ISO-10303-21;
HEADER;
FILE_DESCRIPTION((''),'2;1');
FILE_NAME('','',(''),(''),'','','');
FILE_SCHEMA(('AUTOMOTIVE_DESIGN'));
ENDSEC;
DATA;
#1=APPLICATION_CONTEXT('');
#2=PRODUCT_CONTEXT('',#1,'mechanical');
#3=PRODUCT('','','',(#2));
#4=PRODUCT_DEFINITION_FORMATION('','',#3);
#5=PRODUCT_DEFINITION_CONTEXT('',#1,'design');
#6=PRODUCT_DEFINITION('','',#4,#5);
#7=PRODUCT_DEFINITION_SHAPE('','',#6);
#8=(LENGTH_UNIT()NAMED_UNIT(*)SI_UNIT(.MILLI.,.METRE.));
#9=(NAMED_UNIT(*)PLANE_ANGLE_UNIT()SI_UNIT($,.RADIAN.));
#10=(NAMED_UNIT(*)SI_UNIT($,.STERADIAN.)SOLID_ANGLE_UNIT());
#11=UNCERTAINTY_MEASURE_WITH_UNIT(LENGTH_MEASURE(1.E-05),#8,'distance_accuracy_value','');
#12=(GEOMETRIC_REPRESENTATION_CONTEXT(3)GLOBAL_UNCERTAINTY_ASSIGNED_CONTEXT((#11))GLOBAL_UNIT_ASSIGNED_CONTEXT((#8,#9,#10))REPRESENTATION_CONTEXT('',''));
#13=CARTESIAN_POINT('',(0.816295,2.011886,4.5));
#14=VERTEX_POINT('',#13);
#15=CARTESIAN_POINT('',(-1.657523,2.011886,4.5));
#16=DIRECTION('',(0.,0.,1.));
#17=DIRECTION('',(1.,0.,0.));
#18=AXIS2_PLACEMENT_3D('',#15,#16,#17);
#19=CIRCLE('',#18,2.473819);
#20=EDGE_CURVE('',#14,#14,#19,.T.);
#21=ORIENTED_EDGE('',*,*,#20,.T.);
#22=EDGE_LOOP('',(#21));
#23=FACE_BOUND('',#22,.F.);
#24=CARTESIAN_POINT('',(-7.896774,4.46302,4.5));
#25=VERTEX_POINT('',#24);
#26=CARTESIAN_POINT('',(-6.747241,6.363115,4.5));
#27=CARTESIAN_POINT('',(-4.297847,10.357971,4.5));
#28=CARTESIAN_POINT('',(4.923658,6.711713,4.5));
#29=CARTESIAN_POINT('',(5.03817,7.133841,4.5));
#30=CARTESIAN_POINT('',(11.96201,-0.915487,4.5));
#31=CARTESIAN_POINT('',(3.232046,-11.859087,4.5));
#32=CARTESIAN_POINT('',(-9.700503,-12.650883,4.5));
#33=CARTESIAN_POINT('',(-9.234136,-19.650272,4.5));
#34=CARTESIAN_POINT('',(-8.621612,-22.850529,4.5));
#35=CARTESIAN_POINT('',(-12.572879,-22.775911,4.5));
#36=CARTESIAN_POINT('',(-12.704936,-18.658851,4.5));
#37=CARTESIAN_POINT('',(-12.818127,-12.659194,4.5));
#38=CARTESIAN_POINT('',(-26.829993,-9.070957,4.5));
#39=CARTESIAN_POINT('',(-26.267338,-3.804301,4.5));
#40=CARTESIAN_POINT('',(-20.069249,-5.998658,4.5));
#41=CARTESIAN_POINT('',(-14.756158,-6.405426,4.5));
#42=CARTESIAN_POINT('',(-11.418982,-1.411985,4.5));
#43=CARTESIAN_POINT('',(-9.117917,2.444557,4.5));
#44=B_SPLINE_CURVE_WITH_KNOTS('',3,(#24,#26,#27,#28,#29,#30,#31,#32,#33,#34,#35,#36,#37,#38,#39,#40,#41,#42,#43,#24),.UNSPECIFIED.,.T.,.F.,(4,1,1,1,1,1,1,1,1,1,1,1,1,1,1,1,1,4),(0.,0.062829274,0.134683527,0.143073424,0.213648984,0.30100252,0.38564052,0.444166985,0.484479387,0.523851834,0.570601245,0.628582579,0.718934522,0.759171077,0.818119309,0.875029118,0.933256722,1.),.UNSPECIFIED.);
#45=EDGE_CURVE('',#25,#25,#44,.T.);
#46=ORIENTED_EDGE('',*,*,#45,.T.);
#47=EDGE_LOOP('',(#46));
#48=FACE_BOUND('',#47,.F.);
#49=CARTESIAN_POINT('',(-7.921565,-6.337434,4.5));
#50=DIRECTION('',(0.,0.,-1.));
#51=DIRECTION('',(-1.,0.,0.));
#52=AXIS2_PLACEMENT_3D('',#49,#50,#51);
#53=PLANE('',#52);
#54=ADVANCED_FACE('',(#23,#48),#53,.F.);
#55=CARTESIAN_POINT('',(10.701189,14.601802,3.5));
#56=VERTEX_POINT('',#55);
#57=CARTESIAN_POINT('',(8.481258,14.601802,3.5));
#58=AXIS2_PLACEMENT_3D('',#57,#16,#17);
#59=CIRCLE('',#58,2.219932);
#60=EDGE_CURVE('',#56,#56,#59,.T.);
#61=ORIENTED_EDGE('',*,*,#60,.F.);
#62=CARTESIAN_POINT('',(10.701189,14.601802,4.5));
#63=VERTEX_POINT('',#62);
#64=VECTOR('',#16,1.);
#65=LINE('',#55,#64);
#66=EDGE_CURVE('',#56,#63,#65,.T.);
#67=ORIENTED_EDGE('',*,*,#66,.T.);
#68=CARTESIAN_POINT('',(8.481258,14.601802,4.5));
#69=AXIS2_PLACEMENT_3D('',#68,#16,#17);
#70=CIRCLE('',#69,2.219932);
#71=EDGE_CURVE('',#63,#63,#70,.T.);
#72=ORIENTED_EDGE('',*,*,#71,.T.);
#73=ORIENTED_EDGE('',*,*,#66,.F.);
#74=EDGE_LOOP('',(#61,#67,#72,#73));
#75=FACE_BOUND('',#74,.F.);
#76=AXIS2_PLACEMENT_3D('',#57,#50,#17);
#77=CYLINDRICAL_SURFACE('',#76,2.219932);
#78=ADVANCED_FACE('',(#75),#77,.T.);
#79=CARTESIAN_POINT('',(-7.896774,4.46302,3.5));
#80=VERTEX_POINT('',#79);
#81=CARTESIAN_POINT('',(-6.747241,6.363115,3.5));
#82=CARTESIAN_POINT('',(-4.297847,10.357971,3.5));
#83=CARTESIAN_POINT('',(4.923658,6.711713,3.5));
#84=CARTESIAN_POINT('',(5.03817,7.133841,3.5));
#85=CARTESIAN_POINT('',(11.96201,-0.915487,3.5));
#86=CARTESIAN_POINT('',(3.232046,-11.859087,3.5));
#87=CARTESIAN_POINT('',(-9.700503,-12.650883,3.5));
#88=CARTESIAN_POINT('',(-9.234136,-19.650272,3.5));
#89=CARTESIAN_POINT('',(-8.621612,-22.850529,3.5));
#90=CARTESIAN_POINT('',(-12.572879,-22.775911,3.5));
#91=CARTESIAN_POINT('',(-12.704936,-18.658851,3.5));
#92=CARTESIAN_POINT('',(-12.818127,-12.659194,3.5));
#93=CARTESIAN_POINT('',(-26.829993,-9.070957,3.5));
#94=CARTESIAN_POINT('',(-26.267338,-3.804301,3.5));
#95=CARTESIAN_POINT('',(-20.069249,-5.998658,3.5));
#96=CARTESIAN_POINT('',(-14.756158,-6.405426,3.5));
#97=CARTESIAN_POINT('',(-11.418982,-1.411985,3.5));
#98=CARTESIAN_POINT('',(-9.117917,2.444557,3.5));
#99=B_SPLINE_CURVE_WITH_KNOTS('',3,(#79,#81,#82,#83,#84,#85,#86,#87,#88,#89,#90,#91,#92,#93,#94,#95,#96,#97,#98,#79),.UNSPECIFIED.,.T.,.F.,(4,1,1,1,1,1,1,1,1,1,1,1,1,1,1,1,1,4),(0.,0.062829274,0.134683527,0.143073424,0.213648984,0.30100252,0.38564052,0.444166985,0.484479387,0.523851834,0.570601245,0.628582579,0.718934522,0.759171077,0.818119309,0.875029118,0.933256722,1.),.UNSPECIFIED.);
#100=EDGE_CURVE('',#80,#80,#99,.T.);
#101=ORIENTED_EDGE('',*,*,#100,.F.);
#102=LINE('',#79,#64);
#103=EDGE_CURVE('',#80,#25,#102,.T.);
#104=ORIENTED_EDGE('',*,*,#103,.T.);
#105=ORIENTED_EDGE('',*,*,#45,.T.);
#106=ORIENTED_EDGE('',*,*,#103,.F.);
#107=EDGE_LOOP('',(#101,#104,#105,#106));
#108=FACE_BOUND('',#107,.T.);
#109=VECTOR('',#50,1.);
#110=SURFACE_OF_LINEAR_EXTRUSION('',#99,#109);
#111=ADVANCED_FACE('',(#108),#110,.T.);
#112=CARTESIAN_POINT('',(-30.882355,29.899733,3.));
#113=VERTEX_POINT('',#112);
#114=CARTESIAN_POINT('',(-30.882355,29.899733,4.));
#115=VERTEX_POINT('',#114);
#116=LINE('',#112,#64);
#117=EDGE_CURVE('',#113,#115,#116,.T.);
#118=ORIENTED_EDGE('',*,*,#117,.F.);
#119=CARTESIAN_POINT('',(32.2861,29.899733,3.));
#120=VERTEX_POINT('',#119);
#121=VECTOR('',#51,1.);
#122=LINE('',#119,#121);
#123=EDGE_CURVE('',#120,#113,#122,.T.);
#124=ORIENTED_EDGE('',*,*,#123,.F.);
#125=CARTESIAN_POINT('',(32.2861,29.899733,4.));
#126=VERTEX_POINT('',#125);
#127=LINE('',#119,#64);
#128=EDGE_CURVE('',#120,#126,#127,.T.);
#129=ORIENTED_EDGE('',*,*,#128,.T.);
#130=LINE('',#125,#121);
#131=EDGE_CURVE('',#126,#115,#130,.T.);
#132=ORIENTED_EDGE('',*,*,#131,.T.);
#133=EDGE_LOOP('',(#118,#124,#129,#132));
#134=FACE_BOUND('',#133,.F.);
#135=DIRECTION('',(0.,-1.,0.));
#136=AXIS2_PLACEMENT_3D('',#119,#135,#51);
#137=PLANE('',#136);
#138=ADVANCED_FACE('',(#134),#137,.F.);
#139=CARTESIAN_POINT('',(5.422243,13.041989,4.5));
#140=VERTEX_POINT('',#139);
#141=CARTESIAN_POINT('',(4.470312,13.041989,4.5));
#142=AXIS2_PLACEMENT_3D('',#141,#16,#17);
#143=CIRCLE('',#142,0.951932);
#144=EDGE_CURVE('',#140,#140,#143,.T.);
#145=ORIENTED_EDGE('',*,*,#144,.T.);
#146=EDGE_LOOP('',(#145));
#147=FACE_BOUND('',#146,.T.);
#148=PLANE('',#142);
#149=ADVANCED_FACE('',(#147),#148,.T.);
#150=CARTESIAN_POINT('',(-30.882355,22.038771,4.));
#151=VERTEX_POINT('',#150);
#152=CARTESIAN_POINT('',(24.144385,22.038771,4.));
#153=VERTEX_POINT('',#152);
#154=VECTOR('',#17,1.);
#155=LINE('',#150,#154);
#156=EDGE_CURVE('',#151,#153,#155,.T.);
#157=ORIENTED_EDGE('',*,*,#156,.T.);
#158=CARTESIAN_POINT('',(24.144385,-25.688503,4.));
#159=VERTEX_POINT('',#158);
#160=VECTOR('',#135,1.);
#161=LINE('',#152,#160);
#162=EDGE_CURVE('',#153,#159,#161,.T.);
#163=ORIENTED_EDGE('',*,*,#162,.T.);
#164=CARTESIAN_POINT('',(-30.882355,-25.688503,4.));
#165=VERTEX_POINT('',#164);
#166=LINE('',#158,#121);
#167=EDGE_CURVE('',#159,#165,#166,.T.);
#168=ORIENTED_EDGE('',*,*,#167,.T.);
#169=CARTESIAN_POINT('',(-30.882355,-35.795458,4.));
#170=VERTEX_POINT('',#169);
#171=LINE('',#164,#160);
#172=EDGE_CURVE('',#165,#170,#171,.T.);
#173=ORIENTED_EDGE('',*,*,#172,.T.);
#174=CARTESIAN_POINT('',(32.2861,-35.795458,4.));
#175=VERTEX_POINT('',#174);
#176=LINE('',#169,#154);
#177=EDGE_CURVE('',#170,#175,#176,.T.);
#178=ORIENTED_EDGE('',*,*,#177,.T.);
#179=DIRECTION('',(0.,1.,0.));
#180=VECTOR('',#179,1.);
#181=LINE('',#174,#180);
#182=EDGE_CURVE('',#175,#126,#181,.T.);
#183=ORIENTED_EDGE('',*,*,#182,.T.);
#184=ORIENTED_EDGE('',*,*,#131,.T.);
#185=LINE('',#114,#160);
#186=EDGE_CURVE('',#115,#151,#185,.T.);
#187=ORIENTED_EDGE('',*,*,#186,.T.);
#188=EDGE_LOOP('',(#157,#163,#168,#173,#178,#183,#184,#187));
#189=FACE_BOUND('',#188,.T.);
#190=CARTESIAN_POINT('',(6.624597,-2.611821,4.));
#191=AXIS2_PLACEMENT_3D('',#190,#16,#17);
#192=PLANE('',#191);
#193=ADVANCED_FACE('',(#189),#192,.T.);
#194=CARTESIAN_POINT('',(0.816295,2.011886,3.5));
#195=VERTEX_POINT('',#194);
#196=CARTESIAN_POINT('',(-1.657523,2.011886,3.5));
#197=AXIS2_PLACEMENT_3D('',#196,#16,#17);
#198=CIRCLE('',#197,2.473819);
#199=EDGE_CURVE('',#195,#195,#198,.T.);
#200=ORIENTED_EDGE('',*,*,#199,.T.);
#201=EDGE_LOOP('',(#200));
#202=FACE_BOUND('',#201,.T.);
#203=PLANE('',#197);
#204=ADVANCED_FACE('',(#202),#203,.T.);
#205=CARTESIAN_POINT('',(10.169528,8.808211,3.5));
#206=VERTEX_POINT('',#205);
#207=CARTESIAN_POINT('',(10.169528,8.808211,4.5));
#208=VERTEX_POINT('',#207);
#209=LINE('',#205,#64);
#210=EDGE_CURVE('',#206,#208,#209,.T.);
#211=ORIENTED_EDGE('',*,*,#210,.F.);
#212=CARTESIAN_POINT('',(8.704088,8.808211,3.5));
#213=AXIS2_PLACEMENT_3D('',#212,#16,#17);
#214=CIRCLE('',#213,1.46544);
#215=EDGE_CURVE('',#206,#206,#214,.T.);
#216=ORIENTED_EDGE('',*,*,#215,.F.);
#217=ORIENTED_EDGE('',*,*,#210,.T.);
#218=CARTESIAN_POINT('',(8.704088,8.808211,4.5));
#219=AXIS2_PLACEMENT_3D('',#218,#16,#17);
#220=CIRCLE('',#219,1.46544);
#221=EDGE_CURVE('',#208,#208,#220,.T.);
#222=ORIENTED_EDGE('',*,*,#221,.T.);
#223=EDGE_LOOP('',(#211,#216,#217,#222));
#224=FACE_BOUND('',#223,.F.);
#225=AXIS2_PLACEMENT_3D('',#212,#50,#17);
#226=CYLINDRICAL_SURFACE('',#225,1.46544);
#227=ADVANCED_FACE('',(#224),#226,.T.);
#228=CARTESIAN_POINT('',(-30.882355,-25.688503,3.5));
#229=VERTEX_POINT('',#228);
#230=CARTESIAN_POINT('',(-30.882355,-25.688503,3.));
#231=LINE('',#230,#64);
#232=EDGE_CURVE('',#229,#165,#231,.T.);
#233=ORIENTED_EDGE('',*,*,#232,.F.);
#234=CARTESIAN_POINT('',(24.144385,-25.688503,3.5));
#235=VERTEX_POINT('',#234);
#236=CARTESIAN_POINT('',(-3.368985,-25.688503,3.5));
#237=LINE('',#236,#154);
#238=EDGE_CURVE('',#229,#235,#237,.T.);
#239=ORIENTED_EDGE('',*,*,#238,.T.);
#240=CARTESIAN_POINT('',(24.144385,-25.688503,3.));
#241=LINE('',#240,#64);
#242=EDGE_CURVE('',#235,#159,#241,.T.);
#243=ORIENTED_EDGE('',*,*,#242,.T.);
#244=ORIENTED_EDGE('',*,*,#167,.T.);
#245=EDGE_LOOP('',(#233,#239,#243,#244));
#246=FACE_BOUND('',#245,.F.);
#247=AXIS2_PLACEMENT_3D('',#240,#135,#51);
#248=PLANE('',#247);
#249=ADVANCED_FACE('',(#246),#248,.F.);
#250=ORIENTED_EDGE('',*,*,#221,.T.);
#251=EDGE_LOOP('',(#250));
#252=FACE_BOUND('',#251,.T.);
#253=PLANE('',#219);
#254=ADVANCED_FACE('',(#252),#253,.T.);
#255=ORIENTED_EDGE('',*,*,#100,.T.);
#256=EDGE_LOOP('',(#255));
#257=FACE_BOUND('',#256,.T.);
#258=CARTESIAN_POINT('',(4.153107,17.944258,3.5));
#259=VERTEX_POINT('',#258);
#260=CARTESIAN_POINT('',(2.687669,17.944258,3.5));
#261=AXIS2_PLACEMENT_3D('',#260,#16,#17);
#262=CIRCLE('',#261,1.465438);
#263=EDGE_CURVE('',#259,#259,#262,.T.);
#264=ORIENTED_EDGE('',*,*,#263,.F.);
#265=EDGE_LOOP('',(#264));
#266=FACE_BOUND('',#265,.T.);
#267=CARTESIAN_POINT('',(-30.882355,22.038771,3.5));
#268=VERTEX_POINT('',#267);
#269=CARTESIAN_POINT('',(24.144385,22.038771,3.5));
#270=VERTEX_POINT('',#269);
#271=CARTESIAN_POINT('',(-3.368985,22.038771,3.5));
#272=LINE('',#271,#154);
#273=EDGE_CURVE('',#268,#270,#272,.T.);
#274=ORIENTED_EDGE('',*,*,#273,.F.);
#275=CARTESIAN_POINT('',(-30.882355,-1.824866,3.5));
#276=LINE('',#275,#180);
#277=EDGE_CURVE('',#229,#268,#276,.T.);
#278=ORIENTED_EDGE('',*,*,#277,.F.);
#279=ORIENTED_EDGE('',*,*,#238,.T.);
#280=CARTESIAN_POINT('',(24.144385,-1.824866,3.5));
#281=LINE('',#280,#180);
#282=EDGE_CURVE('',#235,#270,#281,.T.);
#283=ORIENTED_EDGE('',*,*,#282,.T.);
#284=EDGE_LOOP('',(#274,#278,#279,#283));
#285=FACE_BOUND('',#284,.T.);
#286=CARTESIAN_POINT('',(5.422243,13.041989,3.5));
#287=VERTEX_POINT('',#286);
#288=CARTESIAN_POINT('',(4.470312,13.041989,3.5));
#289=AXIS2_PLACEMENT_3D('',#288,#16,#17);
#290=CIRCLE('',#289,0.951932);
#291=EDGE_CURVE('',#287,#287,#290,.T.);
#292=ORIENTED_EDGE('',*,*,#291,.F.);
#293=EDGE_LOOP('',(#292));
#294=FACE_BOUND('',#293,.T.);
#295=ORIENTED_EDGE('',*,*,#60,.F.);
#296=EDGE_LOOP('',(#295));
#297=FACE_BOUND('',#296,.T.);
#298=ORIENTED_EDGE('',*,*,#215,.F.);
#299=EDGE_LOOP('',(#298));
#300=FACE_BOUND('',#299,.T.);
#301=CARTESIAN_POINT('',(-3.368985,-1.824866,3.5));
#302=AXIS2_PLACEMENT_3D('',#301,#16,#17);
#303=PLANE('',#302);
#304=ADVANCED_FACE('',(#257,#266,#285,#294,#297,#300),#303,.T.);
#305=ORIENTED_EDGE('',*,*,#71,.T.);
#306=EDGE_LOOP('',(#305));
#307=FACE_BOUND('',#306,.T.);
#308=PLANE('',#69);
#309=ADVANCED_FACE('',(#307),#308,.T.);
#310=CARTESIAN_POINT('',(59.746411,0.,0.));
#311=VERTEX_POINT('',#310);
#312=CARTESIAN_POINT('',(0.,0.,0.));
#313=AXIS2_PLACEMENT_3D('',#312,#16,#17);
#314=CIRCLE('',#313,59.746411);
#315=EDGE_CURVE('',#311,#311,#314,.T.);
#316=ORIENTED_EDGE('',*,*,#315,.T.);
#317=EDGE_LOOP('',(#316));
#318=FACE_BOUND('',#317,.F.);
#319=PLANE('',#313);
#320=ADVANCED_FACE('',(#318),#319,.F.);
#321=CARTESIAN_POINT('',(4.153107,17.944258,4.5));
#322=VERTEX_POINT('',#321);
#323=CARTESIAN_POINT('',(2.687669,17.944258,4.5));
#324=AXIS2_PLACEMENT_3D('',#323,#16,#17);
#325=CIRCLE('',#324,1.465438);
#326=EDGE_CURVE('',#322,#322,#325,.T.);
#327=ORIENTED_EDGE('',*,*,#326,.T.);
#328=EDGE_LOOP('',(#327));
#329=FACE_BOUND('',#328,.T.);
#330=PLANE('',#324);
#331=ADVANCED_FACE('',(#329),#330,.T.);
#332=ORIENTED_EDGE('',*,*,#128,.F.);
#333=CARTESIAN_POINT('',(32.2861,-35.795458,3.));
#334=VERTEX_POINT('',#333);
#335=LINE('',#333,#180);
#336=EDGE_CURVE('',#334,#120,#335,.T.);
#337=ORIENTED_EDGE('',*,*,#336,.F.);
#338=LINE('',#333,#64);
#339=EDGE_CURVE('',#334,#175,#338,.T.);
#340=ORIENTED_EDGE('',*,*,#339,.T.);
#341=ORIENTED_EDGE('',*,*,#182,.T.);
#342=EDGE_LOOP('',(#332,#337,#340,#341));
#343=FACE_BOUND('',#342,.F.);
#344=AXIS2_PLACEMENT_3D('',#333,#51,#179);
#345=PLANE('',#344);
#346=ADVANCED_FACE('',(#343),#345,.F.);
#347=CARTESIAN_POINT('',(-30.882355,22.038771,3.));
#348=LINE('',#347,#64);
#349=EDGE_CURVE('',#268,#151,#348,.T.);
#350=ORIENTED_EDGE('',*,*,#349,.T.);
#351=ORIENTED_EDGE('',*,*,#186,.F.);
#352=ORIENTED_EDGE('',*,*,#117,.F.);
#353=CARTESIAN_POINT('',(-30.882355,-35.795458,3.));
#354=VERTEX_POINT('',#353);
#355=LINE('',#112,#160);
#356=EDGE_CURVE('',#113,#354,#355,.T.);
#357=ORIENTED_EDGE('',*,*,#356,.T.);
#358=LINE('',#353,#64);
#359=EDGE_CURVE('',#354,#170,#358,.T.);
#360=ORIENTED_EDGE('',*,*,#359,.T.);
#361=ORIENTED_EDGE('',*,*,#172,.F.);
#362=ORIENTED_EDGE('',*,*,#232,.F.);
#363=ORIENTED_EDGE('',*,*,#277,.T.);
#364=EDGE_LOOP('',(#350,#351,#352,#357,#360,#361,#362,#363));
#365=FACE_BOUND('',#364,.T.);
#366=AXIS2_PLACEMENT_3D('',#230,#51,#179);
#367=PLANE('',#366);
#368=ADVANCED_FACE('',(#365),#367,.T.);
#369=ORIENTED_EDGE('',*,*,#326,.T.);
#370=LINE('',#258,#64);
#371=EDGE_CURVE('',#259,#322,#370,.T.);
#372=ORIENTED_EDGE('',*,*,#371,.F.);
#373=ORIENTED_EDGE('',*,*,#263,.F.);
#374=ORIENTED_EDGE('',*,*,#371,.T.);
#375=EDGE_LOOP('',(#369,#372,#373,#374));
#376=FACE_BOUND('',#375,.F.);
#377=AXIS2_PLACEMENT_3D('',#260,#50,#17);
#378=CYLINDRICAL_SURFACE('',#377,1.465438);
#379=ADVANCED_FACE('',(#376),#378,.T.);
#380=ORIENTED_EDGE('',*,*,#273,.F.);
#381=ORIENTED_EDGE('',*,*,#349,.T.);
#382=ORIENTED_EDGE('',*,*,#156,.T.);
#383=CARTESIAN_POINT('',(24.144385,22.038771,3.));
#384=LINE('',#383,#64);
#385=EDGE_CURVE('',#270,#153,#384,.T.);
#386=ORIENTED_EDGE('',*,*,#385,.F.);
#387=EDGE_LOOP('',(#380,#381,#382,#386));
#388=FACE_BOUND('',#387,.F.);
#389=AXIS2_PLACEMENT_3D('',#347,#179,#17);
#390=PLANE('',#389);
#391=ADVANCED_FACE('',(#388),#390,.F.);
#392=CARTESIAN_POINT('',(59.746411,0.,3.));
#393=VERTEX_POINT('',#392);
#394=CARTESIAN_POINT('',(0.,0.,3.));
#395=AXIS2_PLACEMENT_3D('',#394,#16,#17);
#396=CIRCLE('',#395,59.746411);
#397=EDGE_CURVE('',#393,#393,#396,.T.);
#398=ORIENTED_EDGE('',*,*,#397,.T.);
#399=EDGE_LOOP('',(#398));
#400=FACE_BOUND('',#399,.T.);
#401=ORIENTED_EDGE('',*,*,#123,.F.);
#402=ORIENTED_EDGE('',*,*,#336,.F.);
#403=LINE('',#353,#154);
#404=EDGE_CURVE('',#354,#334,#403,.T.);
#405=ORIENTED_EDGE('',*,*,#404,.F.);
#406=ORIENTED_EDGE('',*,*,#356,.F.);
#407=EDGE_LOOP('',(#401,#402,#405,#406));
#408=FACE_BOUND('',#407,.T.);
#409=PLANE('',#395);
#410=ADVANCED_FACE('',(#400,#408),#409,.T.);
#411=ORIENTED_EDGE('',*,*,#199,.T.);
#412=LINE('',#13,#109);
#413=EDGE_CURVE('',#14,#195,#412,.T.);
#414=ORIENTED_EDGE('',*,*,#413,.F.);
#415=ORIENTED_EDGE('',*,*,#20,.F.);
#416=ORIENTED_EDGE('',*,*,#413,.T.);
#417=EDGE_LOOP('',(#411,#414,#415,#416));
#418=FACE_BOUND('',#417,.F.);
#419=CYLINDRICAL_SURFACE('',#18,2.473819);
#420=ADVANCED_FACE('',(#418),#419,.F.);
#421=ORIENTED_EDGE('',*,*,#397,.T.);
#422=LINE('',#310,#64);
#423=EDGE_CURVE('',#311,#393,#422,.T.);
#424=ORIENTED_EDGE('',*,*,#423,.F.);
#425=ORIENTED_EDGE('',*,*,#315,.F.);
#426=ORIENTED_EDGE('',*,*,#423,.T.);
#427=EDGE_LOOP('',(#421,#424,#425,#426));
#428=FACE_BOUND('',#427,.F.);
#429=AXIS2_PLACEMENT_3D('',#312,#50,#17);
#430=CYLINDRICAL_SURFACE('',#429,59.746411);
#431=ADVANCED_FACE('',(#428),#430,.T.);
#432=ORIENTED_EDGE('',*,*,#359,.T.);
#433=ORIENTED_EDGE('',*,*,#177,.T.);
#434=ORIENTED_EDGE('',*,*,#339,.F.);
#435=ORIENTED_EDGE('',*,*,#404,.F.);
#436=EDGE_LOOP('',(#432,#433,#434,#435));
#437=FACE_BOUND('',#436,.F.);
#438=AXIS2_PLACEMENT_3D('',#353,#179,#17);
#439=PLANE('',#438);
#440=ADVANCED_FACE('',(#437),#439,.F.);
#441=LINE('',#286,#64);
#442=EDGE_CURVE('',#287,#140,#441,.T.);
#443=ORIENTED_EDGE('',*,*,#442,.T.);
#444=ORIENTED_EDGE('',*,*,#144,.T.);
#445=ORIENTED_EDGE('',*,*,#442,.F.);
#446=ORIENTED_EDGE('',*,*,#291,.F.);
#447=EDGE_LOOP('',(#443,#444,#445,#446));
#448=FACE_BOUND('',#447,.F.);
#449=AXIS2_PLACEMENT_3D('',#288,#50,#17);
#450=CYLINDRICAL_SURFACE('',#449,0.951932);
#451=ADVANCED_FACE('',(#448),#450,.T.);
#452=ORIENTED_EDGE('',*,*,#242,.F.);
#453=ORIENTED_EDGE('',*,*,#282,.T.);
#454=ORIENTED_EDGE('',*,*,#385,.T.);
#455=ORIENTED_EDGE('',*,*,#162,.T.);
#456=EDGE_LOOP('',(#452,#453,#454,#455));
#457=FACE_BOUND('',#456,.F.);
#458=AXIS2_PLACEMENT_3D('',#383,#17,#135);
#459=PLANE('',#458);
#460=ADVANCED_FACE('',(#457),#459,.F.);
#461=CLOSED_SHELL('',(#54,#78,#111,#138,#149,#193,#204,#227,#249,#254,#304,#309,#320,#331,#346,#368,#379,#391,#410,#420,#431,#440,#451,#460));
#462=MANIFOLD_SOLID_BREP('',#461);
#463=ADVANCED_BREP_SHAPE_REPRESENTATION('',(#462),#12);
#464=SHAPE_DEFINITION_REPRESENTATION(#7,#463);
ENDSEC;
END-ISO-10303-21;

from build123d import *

# Parameters (mm, degrees)
F0_R      = 59.746411041
F1_DEPTH  = 3
F3_DEPTH  = 1
F4_W      = 55.0267398357
F4_H      = 47.7272737771
F5_DEPTH  = 0.5
F7_DEPTH  = 1
F8_R      = 2.4738185133
F9_DEPTH  = 1
F10_R     = 2.2199318272
F10_R_2   = 1.465437808
F10_R_3   = 0.9519318114
F10_R_4   = 1.4654400208
F11_DEPTH = 1


with BuildPart() as f1:
    # F0 (on Top) → F1 (new body)
    with BuildSketch(Plane.XY):
        Circle(F0_R)
    extrude(amount=F1_DEPTH)

    # F2 (on face) → F3 (join)
    with BuildSketch(Plane.XY.offset(3)):
        Polygon((32.2861000896, 29.8997331411), (-30.8823548257, 29.8997331411), (-30.8823548257, 22.0387708396), (24.14438501, 22.0387708396), (24.14438501, -25.6885029376), (-30.8823548257, -25.6885029376), (-30.8823548257, -35.7954576612), (32.2861000896, -35.7954576612), align=None)
    extrude(amount=F3_DEPTH)

    # F4 (on face) → F5 (join)
    with BuildSketch(Plane.XY.offset(3)):
        with Locations((-3.3689849079, -1.824866049)):
            Rectangle(F4_W, F4_H)
    extrude(amount=F5_DEPTH)

    # F6 (on face) → F7 (join)
    with BuildSketch(Plane.XY.offset(3.5)):
        with BuildLine():
            add(Edge.make_bspline(
                [(-7.8967735171, 4.4630197808), (-6.7472410939, 6.3631146928), (-4.2978470766, 10.3579710963), (4.9236583813, 6.7117134789), (5.0381701976, 7.1338413451), (11.9620101246, -0.915486679), (3.2320457014, -11.8590867107), (-9.7005034886, -12.6508830087), (-9.2341364863, -19.6502724984), (-8.6216118359, -22.8505288553), (-12.5728787551, -22.7759109925), (-12.7049356975, -18.6588510203), (-12.8181265408, -12.6591944575), (-26.8299925031, -9.070957377), (-26.2673376023, -3.8043012984), (-20.0692490511, -5.9986578173), (-14.7561582368, -6.4054263727), (-11.4189815971, -1.4119849747), (-9.117917068, 2.4445567946), (-7.8967735171, 4.4630197808)],
                knots=[0, 0, 0, 0, 0.0628292736, 0.1346835267, 0.143073424, 0.2136489841, 0.3010025203, 0.3856405201, 0.4441669851, 0.4844793874, 0.523851834, 0.5706012448, 0.6285825789, 0.7189345215, 0.7591710772, 0.8181193089, 0.8750291185, 0.9332567218, 1, 1, 1, 1], degree=3))
        make_face()
    extrude(amount=F7_DEPTH)

    # F8 (on face) → F9 (cut)
    with BuildSketch(Plane.XY.offset(4.5)):
        with Locations((-1.6575232148, 2.0118856337)):
            Circle(F8_R)
    extrude(amount=-F9_DEPTH, mode=Mode.SUBTRACT)

    # F10 (on face) → F11 (join)
    with BuildSketch(Plane.XY.offset(3.5)):
        with Locations((8.4812575951, 14.6018015221)):
            Circle(F10_R)
        with Locations((2.6876691263, 17.9442577064)):
            Circle(F10_R_2)
        with Locations((4.4703115709, 13.0419889465)):
            Circle(F10_R_3)
        with Locations((8.704087697, 8.8082114235)):
            Circle(F10_R_4)
    extrude(amount=F11_DEPTH)


solid = f1.part
